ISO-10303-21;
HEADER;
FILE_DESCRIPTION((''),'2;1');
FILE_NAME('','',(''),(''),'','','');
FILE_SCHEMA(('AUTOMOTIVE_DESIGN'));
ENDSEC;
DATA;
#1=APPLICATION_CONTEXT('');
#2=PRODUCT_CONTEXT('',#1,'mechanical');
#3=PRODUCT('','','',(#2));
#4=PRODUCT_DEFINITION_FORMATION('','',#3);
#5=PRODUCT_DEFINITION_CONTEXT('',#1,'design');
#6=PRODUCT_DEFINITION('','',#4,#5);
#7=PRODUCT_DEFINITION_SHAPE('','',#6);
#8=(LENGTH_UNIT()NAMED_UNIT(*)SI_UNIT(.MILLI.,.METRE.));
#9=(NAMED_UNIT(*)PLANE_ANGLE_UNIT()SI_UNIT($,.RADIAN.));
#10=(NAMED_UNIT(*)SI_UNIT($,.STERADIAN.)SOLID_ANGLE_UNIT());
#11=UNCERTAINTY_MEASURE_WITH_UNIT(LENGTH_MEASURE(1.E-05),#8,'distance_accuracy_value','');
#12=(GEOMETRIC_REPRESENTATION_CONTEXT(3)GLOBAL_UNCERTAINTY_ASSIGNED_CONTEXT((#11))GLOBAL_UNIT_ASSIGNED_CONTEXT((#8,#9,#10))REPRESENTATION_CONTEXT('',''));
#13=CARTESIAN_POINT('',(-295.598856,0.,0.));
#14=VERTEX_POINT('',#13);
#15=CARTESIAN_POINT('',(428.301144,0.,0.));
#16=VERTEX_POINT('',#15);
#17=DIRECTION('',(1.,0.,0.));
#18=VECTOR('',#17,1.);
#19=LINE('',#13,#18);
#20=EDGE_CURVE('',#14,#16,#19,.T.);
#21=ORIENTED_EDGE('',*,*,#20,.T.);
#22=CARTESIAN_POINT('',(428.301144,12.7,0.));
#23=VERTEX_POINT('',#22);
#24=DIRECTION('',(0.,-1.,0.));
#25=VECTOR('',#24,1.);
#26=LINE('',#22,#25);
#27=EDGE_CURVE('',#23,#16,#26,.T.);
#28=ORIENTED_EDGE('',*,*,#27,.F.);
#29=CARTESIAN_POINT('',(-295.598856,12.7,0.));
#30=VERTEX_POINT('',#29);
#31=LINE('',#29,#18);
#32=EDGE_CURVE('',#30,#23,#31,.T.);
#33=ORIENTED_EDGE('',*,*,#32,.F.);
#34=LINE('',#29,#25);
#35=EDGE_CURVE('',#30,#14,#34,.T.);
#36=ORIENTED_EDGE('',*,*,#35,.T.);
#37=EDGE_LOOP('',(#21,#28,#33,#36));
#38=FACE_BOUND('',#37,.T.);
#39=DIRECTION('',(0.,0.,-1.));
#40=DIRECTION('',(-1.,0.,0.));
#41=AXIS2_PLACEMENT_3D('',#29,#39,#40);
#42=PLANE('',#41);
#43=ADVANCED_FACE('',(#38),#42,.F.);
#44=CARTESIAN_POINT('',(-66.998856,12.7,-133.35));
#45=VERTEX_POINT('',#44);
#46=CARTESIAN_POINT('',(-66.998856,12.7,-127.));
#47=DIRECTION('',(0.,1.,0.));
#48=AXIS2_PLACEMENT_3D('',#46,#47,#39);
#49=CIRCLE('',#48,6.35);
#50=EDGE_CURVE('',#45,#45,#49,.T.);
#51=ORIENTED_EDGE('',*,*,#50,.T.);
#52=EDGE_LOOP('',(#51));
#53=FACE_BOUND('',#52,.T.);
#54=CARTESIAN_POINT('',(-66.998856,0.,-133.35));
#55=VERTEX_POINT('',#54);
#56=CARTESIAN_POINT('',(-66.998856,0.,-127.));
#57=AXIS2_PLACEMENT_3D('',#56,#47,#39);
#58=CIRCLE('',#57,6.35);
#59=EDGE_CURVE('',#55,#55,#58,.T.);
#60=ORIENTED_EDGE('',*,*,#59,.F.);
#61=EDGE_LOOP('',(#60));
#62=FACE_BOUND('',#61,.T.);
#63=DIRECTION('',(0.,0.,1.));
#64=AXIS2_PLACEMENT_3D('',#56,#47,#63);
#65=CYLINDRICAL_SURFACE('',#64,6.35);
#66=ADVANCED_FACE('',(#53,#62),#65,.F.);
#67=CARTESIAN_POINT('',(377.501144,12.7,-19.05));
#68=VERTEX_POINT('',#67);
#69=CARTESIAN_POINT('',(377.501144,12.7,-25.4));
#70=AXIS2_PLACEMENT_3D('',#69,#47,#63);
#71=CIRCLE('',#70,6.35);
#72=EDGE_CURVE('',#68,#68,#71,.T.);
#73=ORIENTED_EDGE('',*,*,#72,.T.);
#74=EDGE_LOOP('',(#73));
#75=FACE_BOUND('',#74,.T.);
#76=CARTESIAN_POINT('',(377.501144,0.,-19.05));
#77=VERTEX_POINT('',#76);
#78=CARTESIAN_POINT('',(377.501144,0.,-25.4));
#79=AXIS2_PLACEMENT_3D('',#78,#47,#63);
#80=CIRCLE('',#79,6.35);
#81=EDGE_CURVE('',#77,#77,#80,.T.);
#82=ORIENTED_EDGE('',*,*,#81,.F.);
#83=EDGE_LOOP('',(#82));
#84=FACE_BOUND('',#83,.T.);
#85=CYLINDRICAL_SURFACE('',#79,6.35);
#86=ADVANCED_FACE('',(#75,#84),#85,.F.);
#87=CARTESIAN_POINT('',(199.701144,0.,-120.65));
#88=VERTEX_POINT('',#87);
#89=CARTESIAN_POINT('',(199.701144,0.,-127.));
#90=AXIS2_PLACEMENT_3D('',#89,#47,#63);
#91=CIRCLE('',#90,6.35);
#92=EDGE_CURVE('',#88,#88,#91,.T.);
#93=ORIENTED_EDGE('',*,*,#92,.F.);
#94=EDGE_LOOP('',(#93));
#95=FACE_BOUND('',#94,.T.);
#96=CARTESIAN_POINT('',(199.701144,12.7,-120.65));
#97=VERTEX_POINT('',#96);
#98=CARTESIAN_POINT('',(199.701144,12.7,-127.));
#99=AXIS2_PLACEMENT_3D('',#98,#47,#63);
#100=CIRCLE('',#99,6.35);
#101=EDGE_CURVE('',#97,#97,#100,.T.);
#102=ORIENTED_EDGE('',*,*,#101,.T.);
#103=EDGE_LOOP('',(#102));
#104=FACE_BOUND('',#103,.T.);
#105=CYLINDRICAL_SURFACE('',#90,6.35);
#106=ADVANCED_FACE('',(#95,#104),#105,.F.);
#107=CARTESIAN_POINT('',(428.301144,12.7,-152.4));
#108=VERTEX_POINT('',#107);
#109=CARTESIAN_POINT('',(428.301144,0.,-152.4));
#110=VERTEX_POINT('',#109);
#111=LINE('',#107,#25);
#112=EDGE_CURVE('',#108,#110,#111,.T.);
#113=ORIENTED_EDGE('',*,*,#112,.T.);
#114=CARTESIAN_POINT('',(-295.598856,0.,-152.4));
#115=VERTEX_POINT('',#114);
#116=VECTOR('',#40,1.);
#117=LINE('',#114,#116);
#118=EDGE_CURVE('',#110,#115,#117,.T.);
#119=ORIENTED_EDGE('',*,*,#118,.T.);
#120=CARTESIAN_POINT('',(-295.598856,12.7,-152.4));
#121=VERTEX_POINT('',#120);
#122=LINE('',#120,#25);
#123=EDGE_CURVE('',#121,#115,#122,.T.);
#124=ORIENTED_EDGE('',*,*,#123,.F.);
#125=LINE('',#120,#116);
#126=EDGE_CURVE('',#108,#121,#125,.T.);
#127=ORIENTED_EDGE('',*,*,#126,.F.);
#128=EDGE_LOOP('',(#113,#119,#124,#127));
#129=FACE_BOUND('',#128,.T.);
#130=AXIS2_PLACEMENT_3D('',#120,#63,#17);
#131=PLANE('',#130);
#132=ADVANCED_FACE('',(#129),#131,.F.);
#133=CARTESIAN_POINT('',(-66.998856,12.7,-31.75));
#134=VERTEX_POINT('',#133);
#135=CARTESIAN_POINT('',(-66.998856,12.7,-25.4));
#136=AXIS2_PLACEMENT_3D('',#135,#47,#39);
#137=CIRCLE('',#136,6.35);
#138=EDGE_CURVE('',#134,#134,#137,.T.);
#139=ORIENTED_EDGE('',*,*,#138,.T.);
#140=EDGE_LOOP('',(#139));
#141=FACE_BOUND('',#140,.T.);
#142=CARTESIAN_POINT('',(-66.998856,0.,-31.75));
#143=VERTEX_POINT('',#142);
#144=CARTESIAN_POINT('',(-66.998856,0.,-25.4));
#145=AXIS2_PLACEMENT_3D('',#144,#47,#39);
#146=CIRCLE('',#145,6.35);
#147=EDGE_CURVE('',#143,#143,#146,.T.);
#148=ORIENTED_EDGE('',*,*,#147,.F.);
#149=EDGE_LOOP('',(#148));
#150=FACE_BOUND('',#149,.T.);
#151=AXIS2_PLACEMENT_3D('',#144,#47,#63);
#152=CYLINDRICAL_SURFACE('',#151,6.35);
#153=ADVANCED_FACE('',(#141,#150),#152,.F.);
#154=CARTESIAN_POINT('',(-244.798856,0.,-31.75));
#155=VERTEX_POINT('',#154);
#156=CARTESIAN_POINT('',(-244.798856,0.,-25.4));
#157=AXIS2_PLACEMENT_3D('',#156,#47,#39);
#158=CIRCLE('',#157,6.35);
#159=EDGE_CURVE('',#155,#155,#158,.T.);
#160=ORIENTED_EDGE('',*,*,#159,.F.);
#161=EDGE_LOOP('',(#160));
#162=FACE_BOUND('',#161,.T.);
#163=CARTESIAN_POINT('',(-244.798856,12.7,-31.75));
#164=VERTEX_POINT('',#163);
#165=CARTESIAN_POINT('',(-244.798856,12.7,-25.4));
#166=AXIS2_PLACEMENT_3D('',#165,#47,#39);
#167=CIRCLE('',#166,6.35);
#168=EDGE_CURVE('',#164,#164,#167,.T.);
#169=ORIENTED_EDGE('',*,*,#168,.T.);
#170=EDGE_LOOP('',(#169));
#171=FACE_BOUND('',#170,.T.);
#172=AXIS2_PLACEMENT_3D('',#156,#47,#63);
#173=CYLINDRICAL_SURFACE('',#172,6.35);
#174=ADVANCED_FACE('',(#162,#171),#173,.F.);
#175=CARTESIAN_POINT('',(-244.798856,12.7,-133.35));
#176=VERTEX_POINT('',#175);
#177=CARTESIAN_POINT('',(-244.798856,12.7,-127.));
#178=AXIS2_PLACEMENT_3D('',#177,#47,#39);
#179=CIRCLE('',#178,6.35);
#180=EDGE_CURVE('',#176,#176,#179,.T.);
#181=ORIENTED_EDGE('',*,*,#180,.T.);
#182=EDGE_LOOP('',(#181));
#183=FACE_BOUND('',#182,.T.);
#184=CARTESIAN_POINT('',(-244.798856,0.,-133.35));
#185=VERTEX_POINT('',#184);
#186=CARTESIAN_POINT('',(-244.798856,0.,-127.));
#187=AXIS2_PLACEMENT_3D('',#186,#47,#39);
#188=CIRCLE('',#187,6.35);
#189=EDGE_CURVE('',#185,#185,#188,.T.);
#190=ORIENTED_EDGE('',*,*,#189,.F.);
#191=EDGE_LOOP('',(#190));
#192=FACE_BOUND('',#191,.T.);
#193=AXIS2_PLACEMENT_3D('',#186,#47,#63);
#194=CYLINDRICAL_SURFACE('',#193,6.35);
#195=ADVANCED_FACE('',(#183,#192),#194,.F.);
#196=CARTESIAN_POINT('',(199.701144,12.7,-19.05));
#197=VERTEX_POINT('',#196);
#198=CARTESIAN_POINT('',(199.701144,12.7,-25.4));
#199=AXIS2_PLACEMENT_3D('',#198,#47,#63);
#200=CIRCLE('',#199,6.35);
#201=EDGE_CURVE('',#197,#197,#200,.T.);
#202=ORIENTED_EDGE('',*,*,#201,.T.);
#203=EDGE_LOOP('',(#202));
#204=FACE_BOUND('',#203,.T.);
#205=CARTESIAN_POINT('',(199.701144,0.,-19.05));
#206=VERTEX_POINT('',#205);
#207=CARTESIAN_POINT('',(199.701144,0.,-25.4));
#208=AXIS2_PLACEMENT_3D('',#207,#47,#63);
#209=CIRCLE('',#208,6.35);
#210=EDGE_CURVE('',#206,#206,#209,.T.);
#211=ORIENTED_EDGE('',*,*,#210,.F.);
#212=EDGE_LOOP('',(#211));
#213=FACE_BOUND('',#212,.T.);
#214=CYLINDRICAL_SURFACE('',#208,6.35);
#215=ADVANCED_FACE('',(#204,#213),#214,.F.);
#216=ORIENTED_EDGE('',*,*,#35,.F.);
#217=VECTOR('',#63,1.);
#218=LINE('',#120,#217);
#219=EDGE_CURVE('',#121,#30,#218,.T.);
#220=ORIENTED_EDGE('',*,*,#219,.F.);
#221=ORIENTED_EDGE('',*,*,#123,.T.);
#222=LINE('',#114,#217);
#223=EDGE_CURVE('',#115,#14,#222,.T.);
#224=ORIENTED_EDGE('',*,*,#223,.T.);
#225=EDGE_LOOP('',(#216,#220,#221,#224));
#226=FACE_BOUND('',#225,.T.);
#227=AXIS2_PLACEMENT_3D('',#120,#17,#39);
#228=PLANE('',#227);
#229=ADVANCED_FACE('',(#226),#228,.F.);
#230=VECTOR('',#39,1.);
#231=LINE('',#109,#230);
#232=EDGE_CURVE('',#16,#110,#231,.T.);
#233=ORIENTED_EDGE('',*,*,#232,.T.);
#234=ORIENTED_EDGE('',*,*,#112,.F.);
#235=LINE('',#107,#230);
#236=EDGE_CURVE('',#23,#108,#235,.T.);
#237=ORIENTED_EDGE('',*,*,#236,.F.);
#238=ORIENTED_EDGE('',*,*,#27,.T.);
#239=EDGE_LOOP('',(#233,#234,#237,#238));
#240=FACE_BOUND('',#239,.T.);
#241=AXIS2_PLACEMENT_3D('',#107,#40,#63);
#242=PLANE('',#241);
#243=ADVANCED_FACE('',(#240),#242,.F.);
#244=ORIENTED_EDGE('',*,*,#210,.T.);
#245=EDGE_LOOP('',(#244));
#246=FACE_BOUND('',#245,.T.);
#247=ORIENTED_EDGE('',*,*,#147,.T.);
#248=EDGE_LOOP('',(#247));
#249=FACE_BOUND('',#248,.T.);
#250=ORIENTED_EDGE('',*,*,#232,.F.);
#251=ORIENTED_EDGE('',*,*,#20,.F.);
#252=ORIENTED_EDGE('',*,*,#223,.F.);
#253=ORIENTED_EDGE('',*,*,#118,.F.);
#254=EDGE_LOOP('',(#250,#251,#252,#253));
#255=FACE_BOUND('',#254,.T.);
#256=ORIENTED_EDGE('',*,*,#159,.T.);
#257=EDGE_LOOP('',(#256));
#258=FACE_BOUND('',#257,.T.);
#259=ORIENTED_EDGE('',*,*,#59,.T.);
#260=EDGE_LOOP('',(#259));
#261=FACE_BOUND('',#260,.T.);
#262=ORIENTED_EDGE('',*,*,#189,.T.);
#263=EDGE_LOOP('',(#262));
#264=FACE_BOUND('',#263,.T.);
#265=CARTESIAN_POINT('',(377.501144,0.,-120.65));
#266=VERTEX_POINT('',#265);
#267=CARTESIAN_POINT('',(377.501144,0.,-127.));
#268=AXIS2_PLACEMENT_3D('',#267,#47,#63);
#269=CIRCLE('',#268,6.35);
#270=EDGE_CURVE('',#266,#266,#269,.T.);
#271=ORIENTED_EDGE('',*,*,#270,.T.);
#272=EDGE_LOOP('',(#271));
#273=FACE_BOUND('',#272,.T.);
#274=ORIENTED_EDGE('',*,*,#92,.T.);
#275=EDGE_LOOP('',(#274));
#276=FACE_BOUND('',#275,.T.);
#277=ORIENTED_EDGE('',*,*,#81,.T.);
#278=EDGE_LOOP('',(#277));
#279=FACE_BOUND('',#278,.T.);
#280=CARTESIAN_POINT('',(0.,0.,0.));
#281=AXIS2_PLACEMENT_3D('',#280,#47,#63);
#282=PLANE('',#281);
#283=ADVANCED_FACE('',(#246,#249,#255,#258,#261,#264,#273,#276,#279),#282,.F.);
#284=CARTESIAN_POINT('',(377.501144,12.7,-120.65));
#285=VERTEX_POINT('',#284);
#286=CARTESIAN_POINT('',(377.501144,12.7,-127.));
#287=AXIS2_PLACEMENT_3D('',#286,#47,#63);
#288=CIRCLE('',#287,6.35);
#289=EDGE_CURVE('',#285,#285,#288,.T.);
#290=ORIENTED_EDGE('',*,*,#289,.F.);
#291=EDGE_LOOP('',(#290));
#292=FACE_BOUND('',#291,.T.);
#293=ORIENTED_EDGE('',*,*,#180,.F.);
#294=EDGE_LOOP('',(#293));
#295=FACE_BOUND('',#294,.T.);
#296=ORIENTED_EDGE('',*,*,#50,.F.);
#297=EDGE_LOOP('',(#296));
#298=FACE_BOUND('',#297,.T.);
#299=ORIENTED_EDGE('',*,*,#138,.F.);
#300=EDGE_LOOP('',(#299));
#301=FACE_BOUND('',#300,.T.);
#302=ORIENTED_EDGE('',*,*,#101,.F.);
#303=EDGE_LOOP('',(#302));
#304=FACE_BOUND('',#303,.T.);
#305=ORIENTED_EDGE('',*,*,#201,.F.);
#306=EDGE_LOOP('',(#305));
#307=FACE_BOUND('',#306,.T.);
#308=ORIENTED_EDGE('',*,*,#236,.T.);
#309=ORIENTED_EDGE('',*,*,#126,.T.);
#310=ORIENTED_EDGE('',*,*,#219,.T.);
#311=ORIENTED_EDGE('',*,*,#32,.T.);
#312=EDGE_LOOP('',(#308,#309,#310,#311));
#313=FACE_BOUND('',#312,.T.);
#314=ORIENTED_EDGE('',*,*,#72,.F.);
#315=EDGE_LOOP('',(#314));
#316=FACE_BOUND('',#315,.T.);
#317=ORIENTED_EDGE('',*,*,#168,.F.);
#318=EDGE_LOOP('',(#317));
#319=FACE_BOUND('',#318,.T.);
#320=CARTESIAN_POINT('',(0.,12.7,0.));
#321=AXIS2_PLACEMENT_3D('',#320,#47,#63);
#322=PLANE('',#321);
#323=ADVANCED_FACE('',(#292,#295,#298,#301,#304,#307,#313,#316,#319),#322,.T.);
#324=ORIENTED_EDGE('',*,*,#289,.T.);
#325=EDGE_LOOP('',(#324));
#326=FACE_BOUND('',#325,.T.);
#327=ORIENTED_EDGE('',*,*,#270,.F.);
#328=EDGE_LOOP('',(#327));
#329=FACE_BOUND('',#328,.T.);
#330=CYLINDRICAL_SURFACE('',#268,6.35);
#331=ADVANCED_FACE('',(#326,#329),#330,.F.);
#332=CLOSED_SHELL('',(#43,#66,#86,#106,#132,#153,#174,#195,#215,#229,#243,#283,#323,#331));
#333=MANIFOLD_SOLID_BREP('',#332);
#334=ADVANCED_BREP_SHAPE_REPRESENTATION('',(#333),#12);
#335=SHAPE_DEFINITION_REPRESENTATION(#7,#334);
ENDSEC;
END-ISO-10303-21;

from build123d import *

# Parameters (mm, degrees)
SKETCH1_W           = 723.9
SKETCH1_H           = 152.4
BOSS_EXTRUDE1_DEPTH = 12.7
SKETCH2_R           = 6.35
CUT_EXTRUDE1_DEPTH  = 455.784476325


with BuildPart() as part:
    # Sketch1 → Boss-Extrude1 (new body)
    with BuildSketch(Plane(origin=(0, 0, 0), x_dir=(1, 0, 0), z_dir=(0, 1, 0))):
        with Locations((66.351143947, 76.2)):
            Rectangle(SKETCH1_W, SKETCH1_H)
    extrude(amount=BOSS_EXTRUDE1_DEPTH)

    # Sketch2 → Cut-Extrude1 (cut, through all)
    with BuildSketch(Plane(origin=(0, 12.7, 0), x_dir=(1, 0, 0), z_dir=(0, 1, 0))):
        with Locations(Location((377.501143947, 127, 0), (0, 0, 270))):
            Circle(SKETCH2_R)
        with Locations(Location((377.501143947, 25.4, 0), (0, 0, 270))):
            Circle(SKETCH2_R)
        with Locations(Location((199.701143947, 127, 0), (0, 0, 270))):
            Circle(SKETCH2_R)
        with Locations(Location((199.701143947, 25.4, 0), (0, 0, 270))):
            Circle(SKETCH2_R)
        with Locations(Location((-244.798856053, 127, 0), (0, 0, 90))):
            Circle(SKETCH2_R)
        with Locations(Location((-66.998856053, 127, 0), (0, 0, 90))):
            Circle(SKETCH2_R)
        with Locations(Location((-244.798856053, 25.4, 0), (0, 0, 90))):
            Circle(SKETCH2_R)
        with Locations(Location((-66.998856053, 25.4, 0), (0, 0, 90))):
            Circle(SKETCH2_R)
    extrude(amount=-CUT_EXTRUDE1_DEPTH, mode=Mode.SUBTRACT)


solid = part.part
